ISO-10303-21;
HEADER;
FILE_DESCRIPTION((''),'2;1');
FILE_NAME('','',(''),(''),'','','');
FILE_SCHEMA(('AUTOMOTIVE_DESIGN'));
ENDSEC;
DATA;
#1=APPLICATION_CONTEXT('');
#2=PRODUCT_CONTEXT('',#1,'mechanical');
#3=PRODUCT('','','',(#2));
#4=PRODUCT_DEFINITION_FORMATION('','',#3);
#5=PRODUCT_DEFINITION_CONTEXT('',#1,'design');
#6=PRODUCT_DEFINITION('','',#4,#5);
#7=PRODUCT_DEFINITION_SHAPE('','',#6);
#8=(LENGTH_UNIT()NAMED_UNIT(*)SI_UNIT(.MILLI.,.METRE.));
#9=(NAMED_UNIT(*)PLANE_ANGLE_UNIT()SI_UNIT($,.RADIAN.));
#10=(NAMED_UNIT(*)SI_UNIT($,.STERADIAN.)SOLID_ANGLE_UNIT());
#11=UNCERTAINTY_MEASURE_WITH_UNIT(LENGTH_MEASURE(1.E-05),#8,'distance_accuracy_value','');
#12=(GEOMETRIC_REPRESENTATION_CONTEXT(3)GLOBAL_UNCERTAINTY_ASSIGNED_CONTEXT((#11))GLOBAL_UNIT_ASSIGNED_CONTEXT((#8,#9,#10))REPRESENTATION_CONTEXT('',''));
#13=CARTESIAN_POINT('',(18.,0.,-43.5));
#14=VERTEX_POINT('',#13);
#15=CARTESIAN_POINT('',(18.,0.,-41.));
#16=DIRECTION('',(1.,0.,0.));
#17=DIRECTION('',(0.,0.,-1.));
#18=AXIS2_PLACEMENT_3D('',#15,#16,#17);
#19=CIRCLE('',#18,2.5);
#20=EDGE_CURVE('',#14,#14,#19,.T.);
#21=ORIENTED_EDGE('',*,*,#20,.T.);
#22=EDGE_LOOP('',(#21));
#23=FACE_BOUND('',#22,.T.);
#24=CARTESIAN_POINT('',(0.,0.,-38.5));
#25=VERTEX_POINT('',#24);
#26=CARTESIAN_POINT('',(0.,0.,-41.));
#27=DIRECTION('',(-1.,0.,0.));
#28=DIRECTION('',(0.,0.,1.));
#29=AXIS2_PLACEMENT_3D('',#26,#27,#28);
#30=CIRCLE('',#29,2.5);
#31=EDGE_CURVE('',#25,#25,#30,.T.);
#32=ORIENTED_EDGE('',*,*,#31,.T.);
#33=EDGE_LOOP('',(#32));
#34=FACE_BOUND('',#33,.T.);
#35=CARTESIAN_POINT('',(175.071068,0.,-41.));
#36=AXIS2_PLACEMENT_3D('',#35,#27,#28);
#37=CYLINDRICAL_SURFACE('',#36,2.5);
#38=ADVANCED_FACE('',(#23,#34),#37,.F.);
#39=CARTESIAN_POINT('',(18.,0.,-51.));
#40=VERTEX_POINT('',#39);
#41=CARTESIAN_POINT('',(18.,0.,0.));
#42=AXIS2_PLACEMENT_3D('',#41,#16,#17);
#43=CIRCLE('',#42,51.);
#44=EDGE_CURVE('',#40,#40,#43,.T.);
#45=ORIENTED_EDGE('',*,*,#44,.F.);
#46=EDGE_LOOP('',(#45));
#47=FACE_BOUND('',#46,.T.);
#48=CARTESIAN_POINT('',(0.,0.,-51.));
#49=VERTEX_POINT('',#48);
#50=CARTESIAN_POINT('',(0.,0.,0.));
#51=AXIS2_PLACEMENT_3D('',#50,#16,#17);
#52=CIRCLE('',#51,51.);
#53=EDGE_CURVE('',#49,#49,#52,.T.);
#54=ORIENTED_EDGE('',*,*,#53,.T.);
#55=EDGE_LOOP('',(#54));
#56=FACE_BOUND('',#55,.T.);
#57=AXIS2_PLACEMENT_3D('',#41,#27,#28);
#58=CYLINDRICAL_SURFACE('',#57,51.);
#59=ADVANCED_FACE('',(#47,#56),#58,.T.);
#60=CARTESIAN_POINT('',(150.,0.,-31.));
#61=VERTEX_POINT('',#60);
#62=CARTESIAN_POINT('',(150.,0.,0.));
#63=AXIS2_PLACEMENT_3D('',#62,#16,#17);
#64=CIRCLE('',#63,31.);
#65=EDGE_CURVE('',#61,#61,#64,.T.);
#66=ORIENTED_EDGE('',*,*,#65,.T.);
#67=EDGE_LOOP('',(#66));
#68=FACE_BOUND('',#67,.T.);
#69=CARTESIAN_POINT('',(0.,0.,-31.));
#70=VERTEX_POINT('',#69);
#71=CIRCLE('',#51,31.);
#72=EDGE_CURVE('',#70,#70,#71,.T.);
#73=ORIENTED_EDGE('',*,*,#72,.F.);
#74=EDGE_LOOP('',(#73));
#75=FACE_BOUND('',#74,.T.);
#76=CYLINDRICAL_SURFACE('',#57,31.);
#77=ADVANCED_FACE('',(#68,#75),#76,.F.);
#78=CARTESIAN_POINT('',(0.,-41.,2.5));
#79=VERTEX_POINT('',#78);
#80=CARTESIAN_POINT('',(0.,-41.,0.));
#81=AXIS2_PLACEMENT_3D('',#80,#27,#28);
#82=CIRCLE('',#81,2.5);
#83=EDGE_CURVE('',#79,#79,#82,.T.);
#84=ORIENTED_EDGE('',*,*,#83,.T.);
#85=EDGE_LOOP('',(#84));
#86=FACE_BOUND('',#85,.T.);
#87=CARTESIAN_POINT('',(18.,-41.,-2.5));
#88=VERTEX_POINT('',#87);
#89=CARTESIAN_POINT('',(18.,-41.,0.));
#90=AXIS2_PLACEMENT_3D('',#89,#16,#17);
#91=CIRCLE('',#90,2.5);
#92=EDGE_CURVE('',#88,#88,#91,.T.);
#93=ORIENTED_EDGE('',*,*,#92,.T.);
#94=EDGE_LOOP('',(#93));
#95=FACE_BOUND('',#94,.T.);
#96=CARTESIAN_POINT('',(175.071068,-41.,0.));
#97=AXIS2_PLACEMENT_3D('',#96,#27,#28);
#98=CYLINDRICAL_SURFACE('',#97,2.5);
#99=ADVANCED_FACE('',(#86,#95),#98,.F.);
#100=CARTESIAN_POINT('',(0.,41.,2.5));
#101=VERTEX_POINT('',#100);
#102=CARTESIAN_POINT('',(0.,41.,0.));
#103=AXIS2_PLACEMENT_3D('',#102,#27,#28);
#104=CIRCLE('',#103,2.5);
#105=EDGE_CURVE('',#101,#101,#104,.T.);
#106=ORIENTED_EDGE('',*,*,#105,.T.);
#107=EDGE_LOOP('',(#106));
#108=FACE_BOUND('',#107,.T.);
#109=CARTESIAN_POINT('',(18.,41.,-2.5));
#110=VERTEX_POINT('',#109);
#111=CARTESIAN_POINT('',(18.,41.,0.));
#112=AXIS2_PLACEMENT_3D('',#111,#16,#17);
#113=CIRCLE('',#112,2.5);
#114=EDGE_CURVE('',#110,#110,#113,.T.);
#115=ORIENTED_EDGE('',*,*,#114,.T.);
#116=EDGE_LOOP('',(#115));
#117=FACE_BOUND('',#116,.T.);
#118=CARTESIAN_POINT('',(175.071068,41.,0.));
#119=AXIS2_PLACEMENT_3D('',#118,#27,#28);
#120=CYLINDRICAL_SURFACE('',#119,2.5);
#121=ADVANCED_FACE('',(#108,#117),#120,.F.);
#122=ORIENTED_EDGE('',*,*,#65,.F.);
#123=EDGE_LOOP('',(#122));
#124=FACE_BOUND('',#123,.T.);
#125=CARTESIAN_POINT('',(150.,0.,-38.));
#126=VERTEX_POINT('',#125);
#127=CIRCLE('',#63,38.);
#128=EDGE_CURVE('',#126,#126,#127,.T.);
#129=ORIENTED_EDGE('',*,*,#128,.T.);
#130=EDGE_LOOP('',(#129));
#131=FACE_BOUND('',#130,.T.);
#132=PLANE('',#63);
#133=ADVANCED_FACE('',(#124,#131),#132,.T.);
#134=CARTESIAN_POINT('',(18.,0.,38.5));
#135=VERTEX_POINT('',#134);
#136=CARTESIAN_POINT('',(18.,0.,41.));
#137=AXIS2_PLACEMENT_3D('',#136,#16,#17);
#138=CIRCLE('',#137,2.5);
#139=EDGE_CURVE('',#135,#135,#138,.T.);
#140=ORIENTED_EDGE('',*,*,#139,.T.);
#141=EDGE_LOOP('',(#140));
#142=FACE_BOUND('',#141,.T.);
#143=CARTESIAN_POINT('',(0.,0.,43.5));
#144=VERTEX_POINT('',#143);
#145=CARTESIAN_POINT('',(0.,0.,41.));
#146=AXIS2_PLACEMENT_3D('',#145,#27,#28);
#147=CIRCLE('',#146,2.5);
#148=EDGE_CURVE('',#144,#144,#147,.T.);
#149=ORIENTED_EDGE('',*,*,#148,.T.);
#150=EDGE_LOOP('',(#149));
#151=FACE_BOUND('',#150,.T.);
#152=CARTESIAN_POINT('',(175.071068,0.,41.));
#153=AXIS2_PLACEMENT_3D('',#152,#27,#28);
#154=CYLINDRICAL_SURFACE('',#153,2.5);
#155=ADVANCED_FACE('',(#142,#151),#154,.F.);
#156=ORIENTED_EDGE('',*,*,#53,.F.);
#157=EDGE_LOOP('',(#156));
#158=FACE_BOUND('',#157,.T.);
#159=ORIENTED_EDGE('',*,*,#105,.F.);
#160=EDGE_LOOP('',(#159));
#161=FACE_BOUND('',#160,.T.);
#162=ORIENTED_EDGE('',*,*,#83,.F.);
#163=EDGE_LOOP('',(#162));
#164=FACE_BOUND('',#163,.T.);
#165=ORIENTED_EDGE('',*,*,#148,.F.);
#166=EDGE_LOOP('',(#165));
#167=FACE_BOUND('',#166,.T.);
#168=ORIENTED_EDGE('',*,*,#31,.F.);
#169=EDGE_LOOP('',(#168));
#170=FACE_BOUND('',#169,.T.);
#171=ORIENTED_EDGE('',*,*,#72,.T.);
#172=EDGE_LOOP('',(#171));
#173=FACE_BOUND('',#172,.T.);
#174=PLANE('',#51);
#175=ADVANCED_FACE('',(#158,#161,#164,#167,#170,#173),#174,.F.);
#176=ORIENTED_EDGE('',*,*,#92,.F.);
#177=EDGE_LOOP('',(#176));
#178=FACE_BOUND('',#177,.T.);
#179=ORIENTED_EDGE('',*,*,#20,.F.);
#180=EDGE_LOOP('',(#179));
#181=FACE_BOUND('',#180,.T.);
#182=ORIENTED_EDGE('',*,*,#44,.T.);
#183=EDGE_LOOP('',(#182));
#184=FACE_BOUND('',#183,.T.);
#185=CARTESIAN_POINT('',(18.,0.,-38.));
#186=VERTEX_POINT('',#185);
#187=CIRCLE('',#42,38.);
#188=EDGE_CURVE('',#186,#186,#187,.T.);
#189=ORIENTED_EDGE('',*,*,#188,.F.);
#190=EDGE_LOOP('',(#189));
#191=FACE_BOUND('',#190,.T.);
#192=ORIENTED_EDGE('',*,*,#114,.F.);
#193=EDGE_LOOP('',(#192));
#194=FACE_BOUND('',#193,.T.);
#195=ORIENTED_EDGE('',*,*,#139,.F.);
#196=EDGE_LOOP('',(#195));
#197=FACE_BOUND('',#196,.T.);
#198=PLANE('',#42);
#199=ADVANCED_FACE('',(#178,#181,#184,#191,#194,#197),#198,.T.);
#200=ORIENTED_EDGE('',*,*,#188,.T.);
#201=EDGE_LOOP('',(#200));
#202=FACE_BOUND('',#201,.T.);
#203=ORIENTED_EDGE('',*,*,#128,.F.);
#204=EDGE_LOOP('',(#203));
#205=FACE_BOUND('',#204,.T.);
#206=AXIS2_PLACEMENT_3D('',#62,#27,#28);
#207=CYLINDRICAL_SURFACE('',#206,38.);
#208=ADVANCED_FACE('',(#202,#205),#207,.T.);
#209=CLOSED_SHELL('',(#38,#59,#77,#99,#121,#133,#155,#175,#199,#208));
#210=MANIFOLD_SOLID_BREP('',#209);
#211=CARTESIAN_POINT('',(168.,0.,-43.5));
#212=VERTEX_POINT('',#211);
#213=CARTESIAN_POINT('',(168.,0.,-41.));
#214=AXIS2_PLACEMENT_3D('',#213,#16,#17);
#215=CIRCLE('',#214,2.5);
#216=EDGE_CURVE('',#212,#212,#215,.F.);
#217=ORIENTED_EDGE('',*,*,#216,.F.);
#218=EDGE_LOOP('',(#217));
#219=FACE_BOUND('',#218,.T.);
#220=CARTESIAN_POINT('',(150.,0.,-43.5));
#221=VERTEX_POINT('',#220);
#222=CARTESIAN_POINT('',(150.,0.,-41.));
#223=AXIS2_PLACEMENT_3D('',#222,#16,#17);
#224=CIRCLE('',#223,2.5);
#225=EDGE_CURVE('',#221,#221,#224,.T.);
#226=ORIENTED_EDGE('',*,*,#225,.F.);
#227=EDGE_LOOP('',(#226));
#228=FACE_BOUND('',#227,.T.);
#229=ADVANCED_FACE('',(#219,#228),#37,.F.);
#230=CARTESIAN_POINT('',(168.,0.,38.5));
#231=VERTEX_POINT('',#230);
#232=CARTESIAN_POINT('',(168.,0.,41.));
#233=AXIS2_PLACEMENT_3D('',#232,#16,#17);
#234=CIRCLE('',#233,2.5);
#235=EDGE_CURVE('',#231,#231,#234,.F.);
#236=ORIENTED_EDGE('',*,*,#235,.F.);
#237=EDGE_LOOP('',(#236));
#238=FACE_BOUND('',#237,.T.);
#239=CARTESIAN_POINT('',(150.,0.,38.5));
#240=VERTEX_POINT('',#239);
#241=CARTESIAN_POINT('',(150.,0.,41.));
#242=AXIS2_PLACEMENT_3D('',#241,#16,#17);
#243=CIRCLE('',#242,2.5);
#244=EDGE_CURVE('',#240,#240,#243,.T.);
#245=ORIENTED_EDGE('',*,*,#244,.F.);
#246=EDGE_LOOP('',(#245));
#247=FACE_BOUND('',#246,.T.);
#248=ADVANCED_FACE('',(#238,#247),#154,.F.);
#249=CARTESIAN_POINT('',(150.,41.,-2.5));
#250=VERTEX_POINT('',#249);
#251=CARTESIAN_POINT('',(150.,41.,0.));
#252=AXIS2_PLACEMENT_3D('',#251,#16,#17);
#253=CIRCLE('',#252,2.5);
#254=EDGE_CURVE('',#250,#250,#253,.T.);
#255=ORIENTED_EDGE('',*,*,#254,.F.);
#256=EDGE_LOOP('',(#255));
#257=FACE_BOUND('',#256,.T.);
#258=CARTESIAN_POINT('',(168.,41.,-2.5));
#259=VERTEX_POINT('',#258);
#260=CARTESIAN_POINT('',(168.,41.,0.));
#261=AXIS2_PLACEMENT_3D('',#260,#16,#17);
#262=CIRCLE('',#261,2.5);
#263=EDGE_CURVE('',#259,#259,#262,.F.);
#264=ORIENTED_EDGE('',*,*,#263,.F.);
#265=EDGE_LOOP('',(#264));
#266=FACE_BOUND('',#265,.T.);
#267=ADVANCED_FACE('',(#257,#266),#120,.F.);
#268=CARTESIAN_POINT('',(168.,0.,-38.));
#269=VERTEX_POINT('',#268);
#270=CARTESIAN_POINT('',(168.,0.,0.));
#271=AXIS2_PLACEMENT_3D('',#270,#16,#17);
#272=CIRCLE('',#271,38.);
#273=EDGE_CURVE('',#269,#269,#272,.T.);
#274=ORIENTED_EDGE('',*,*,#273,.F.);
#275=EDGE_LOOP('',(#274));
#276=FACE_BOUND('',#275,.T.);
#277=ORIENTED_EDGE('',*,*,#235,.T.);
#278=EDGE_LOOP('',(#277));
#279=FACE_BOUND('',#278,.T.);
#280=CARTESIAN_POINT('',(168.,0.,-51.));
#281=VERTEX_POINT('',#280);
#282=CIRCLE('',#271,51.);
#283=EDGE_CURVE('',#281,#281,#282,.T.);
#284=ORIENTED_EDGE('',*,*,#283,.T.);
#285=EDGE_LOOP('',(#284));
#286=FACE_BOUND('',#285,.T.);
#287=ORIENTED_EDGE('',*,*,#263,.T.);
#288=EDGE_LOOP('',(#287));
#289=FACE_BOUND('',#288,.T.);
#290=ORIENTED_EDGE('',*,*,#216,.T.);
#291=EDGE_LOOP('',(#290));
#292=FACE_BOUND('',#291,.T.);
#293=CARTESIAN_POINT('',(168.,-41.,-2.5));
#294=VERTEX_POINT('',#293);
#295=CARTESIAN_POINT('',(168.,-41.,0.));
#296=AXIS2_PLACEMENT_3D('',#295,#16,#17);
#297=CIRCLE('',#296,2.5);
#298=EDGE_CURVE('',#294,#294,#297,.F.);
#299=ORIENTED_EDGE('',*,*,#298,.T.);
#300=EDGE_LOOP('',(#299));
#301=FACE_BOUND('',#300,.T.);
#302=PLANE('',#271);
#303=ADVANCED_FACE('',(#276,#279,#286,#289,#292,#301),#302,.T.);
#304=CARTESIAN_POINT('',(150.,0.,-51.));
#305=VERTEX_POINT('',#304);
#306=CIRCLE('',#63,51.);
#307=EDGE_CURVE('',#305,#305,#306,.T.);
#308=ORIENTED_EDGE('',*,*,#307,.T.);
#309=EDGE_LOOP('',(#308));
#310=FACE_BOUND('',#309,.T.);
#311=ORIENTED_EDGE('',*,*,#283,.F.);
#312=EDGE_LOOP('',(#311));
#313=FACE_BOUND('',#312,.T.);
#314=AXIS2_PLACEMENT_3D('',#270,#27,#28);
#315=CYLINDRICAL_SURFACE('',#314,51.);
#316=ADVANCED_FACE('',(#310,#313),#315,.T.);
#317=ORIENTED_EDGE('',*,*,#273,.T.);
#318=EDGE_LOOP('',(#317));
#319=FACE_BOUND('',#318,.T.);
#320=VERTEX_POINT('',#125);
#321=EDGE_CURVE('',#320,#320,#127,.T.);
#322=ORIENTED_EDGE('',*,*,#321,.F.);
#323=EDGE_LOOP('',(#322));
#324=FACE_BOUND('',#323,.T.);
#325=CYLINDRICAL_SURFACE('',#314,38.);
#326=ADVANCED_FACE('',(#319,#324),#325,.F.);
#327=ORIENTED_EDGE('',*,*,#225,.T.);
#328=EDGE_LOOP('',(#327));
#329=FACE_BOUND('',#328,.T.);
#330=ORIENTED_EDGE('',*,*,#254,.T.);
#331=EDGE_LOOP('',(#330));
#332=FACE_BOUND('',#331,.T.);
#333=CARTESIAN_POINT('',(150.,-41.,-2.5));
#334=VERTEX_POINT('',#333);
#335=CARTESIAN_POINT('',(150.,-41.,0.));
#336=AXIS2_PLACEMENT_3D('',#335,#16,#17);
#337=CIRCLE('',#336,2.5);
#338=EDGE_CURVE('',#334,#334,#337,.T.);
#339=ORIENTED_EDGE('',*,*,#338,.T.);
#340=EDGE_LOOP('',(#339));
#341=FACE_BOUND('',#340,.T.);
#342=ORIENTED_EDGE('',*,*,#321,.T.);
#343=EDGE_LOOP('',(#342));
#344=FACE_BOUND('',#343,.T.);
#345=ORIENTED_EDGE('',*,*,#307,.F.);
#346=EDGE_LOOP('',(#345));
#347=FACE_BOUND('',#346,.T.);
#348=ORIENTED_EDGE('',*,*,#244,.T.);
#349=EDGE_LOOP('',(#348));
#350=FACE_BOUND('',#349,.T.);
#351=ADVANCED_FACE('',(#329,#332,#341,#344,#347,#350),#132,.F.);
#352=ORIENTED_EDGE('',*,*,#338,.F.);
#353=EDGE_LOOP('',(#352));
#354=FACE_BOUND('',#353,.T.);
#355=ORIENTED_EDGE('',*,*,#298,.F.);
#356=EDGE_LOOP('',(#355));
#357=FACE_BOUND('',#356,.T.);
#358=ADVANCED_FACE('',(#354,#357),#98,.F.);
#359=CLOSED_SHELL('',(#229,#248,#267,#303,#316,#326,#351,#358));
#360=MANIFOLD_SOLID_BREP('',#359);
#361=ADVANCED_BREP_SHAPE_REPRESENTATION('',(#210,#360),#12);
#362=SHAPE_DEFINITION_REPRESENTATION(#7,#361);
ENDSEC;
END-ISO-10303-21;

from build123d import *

# Parameters (mm, degrees)
SKETCH_1_R          = 51
SKETCH_1_R_2        = 31
EXTRUDE_1_DEPTH     = 18
SKETCH_2_R          = 38
SKETCH_2_R_2        = 31
EXTRUDE_2_DEPTH     = 132
SKETCH_3_R          = 51
SKETCH_3_R_2        = 38
EXTRUDE_3_DEPTH     = 18
CUT_EXTRUDE_START   = -168
SKETCH_4_R          = 2.5
CUT_EXTRUDE_1_DEPTH = 168


with BuildPart() as part:
    # 草图1 → 凸台-拉伸1 (new body)
    with BuildSketch(Plane(origin=(0, 0, 0), x_dir=(0, 0, -1), z_dir=(1, 0, 0))):
        Circle(SKETCH_1_R)
        Circle(SKETCH_1_R_2, mode=Mode.SUBTRACT)
    extrude(amount=EXTRUDE_1_DEPTH)

    # 草图2 → 凸台-拉伸2 (add)
    with BuildSketch(Plane(origin=(18, 0, 0), x_dir=(0, 0, -1), z_dir=(1, 0, 0))):
        Circle(SKETCH_2_R)
        Circle(SKETCH_2_R_2, mode=Mode.SUBTRACT)
    extrude(amount=EXTRUDE_2_DEPTH)


with BuildPart() as body_2:
    # 草图3 → 凸台-拉伸3 (new body)
    with BuildSketch(Plane(origin=(150, 0, 0), x_dir=(0, 0, -1), z_dir=(1, 0, 0))):
        Circle(SKETCH_3_R)
        Circle(SKETCH_3_R_2, mode=Mode.SUBTRACT)
    extrude(amount=EXTRUDE_3_DEPTH)


with BuildPart() as cut_extrude_1_tool:
    # 草图4 → 切除-拉伸1 (new body)
    with BuildSketch(Plane.ZY.offset(CUT_EXTRUDE_START)):
        with Locations(Location((0, 41, 0), (0, 0, 180))):
            Circle(SKETCH_4_R)
        with Locations(Location((41, 0, 0), (0, 0, 180))):
            Circle(SKETCH_4_R)
        with Locations(Location((0, -41, 0), (0, 0, 180))):
            Circle(SKETCH_4_R)
        with Locations(Location((-41, 0, 0), (0, 0, 180))):
            Circle(SKETCH_4_R)
    extrude(amount=CUT_EXTRUDE_1_DEPTH)


with BuildPart() as part_1:
    add(part.part)

    # 切除-拉伸1: cut by cut_extrude_1_tool
    add(cut_extrude_1_tool.part, mode=Mode.SUBTRACT)


with BuildPart() as body_2_1:
    add(body_2.part)

    # 切除-拉伸1: cut by cut_extrude_1_tool
    add(cut_extrude_1_tool.part, mode=Mode.SUBTRACT)


solid = Compound([part_1.part, body_2_1.part])
